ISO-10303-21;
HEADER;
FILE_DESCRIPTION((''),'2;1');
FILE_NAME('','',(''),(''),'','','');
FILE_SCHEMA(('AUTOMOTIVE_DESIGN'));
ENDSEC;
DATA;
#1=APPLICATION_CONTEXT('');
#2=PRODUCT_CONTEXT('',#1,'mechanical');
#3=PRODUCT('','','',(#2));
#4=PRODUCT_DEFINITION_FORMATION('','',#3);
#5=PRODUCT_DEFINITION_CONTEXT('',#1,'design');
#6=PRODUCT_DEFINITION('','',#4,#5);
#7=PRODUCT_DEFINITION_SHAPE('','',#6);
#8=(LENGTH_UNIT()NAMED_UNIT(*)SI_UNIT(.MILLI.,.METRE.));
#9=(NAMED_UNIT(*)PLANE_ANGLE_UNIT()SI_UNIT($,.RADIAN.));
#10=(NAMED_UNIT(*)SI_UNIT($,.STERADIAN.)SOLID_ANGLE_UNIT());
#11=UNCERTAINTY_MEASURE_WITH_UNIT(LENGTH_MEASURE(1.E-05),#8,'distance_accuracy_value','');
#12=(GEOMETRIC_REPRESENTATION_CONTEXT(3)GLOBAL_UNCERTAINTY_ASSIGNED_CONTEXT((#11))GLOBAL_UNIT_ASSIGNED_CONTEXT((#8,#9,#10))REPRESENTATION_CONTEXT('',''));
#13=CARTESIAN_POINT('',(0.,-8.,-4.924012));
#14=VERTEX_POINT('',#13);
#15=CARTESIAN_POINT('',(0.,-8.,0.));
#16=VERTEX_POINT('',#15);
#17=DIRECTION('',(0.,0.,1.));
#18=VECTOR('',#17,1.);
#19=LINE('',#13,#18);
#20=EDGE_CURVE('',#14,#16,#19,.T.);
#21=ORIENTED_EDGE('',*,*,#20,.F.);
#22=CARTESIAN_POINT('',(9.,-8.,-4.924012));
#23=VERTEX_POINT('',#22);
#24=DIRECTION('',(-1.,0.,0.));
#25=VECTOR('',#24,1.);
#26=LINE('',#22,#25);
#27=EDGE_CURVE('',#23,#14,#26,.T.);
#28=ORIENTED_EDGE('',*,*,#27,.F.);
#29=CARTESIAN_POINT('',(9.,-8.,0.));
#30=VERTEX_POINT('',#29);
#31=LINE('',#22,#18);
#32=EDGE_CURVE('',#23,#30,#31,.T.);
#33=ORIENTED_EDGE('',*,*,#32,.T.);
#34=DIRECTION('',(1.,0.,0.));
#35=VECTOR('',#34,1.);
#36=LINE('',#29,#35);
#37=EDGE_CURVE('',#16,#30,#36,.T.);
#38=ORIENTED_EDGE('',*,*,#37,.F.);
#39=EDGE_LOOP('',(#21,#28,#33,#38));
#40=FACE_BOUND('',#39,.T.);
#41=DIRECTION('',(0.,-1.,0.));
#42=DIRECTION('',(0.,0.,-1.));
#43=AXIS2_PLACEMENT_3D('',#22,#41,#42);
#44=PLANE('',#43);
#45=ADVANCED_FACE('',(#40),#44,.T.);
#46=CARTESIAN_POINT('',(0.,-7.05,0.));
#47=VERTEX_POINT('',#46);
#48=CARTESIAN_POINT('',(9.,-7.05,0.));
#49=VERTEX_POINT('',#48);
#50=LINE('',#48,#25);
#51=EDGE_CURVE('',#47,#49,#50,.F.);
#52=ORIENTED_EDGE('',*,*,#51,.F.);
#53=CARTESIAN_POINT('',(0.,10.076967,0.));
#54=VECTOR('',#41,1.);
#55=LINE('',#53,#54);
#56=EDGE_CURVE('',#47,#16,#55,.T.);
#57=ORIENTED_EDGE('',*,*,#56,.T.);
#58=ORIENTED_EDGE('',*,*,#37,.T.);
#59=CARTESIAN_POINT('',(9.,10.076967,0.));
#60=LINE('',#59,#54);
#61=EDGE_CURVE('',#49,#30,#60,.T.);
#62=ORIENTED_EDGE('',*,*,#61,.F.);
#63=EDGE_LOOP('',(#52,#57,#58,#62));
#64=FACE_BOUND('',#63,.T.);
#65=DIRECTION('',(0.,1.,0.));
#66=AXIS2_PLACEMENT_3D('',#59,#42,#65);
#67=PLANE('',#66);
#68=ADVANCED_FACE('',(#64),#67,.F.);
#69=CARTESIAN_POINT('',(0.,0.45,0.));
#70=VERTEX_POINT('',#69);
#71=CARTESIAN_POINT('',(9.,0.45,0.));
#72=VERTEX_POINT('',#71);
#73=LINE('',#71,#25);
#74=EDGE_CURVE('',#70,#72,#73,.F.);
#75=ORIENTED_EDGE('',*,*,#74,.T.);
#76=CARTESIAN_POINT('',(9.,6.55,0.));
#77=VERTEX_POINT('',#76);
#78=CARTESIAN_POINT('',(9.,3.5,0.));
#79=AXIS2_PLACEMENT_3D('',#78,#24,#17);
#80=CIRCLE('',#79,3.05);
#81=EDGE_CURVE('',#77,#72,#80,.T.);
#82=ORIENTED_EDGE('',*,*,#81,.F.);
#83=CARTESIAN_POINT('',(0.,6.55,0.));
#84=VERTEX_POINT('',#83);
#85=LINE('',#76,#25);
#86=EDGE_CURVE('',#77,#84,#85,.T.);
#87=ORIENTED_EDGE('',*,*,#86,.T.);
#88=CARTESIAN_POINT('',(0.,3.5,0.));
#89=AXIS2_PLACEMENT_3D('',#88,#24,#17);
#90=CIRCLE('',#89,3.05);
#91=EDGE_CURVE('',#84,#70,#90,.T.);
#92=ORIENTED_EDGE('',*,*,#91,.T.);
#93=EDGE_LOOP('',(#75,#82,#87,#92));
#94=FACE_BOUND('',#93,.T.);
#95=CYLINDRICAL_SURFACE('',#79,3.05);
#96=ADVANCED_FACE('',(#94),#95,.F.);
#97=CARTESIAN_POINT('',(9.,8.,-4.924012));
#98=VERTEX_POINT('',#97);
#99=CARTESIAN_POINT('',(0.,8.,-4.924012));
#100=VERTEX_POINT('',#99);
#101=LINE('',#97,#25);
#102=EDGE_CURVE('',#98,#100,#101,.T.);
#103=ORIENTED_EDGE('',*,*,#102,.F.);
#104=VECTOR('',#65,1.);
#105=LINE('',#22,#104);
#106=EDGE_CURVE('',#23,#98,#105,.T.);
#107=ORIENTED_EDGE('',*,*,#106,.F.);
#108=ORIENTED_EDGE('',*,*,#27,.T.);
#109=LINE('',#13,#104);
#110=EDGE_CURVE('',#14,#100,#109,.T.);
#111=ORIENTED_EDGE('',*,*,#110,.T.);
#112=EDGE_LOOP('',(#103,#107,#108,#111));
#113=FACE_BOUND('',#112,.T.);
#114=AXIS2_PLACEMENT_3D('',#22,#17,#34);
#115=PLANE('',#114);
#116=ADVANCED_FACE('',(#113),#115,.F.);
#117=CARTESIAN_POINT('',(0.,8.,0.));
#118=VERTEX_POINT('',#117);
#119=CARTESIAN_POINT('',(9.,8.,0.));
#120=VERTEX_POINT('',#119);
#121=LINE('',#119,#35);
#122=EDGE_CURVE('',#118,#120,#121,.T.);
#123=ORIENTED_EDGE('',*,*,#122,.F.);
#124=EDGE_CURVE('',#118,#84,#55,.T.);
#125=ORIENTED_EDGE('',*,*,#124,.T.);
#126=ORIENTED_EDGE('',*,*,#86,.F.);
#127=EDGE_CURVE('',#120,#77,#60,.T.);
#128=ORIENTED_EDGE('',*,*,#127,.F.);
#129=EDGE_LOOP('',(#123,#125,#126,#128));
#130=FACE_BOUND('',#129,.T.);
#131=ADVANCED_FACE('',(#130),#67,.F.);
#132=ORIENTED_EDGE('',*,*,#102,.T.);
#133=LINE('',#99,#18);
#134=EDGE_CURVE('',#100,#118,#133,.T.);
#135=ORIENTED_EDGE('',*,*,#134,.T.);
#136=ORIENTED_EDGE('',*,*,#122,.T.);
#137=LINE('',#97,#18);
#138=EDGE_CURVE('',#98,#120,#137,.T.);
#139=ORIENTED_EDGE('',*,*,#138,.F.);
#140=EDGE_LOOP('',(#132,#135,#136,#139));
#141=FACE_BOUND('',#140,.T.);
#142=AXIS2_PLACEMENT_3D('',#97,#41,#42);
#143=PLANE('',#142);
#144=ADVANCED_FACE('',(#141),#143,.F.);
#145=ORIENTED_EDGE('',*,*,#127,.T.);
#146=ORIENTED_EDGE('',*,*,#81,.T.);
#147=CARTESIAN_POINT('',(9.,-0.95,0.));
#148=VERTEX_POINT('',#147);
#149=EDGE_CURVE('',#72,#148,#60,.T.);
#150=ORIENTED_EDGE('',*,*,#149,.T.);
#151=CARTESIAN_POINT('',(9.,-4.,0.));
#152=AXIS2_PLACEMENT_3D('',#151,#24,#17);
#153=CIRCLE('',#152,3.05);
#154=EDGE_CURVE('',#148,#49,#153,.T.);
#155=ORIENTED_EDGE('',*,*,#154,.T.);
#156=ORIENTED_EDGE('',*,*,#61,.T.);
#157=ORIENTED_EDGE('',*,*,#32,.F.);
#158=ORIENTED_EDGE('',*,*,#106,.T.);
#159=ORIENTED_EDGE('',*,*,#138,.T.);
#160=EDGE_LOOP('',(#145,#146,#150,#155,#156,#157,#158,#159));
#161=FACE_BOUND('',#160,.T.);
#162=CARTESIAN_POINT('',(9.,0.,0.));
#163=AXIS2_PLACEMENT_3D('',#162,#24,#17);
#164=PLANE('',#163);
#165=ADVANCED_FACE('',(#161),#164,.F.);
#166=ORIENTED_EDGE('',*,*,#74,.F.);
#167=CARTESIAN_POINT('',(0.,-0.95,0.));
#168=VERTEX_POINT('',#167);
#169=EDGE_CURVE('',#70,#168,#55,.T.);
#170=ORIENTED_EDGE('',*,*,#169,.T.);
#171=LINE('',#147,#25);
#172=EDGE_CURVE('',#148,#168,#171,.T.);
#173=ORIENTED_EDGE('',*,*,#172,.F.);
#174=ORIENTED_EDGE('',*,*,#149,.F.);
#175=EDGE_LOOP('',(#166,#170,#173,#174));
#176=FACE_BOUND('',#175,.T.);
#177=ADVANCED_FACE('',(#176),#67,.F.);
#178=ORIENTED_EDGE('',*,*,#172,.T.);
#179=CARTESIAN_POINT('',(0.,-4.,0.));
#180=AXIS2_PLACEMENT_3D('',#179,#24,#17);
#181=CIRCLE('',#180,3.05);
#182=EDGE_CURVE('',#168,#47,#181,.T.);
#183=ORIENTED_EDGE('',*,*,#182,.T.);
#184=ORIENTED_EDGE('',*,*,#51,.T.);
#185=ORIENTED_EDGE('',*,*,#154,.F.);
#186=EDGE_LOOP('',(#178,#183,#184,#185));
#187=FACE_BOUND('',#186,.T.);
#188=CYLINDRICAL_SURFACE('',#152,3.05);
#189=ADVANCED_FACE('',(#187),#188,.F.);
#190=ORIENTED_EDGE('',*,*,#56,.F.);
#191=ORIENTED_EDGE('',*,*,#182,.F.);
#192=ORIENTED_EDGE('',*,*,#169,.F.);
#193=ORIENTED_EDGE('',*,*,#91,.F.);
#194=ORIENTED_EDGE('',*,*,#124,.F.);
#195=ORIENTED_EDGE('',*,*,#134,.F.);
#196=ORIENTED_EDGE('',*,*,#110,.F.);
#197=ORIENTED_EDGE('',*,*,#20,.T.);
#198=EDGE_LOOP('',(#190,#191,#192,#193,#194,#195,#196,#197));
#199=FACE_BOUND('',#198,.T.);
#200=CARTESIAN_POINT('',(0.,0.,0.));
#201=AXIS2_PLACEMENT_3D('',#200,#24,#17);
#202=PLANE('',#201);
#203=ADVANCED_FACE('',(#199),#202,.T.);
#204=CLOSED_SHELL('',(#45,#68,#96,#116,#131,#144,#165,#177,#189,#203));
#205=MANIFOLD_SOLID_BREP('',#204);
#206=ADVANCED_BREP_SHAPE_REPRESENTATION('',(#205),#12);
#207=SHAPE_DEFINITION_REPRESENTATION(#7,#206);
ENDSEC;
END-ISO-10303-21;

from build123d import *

# Parameters (mm, degrees)
SKETCH1_W           = 9.848024316
SKETCH1_H           = 16
BOSS_EXTRUDE1_DEPTH = 9
SKETCH3_R           = 3.05
CUT_EXTRUDE1_DEPTH  = 9
SKETCH4_W           = 8.110790477
SKETCH4_H           = 20.153934792
CUT_EXTRUDE2_DEPTH  = 9


with BuildPart() as part:
    # Sketch1 → Boss-Extrude1 (new body)
    with BuildSketch(Plane(origin=(0, 0, 0), x_dir=(0, 0, -1), z_dir=(1, 0, 0))):
        Rectangle(SKETCH1_W, SKETCH1_H)
    extrude(amount=BOSS_EXTRUDE1_DEPTH)

    # Sketch3 → Cut-Extrude1 (cut)
    with BuildSketch(Plane.ZY):
        with Locations((0, 3.5)):
            Circle(SKETCH3_R)
        with Locations((0, -4)):
            Circle(SKETCH3_R)
    extrude(amount=-CUT_EXTRUDE1_DEPTH, mode=Mode.SUBTRACT)

    # Sketch4 → Cut-Extrude2 (cut)
    with BuildSketch(Plane.ZY):
        with Locations((4.055395239, 0)):
            Rectangle(SKETCH4_W, SKETCH4_H)
    extrude(amount=-CUT_EXTRUDE2_DEPTH, mode=Mode.SUBTRACT)


solid = part.part
